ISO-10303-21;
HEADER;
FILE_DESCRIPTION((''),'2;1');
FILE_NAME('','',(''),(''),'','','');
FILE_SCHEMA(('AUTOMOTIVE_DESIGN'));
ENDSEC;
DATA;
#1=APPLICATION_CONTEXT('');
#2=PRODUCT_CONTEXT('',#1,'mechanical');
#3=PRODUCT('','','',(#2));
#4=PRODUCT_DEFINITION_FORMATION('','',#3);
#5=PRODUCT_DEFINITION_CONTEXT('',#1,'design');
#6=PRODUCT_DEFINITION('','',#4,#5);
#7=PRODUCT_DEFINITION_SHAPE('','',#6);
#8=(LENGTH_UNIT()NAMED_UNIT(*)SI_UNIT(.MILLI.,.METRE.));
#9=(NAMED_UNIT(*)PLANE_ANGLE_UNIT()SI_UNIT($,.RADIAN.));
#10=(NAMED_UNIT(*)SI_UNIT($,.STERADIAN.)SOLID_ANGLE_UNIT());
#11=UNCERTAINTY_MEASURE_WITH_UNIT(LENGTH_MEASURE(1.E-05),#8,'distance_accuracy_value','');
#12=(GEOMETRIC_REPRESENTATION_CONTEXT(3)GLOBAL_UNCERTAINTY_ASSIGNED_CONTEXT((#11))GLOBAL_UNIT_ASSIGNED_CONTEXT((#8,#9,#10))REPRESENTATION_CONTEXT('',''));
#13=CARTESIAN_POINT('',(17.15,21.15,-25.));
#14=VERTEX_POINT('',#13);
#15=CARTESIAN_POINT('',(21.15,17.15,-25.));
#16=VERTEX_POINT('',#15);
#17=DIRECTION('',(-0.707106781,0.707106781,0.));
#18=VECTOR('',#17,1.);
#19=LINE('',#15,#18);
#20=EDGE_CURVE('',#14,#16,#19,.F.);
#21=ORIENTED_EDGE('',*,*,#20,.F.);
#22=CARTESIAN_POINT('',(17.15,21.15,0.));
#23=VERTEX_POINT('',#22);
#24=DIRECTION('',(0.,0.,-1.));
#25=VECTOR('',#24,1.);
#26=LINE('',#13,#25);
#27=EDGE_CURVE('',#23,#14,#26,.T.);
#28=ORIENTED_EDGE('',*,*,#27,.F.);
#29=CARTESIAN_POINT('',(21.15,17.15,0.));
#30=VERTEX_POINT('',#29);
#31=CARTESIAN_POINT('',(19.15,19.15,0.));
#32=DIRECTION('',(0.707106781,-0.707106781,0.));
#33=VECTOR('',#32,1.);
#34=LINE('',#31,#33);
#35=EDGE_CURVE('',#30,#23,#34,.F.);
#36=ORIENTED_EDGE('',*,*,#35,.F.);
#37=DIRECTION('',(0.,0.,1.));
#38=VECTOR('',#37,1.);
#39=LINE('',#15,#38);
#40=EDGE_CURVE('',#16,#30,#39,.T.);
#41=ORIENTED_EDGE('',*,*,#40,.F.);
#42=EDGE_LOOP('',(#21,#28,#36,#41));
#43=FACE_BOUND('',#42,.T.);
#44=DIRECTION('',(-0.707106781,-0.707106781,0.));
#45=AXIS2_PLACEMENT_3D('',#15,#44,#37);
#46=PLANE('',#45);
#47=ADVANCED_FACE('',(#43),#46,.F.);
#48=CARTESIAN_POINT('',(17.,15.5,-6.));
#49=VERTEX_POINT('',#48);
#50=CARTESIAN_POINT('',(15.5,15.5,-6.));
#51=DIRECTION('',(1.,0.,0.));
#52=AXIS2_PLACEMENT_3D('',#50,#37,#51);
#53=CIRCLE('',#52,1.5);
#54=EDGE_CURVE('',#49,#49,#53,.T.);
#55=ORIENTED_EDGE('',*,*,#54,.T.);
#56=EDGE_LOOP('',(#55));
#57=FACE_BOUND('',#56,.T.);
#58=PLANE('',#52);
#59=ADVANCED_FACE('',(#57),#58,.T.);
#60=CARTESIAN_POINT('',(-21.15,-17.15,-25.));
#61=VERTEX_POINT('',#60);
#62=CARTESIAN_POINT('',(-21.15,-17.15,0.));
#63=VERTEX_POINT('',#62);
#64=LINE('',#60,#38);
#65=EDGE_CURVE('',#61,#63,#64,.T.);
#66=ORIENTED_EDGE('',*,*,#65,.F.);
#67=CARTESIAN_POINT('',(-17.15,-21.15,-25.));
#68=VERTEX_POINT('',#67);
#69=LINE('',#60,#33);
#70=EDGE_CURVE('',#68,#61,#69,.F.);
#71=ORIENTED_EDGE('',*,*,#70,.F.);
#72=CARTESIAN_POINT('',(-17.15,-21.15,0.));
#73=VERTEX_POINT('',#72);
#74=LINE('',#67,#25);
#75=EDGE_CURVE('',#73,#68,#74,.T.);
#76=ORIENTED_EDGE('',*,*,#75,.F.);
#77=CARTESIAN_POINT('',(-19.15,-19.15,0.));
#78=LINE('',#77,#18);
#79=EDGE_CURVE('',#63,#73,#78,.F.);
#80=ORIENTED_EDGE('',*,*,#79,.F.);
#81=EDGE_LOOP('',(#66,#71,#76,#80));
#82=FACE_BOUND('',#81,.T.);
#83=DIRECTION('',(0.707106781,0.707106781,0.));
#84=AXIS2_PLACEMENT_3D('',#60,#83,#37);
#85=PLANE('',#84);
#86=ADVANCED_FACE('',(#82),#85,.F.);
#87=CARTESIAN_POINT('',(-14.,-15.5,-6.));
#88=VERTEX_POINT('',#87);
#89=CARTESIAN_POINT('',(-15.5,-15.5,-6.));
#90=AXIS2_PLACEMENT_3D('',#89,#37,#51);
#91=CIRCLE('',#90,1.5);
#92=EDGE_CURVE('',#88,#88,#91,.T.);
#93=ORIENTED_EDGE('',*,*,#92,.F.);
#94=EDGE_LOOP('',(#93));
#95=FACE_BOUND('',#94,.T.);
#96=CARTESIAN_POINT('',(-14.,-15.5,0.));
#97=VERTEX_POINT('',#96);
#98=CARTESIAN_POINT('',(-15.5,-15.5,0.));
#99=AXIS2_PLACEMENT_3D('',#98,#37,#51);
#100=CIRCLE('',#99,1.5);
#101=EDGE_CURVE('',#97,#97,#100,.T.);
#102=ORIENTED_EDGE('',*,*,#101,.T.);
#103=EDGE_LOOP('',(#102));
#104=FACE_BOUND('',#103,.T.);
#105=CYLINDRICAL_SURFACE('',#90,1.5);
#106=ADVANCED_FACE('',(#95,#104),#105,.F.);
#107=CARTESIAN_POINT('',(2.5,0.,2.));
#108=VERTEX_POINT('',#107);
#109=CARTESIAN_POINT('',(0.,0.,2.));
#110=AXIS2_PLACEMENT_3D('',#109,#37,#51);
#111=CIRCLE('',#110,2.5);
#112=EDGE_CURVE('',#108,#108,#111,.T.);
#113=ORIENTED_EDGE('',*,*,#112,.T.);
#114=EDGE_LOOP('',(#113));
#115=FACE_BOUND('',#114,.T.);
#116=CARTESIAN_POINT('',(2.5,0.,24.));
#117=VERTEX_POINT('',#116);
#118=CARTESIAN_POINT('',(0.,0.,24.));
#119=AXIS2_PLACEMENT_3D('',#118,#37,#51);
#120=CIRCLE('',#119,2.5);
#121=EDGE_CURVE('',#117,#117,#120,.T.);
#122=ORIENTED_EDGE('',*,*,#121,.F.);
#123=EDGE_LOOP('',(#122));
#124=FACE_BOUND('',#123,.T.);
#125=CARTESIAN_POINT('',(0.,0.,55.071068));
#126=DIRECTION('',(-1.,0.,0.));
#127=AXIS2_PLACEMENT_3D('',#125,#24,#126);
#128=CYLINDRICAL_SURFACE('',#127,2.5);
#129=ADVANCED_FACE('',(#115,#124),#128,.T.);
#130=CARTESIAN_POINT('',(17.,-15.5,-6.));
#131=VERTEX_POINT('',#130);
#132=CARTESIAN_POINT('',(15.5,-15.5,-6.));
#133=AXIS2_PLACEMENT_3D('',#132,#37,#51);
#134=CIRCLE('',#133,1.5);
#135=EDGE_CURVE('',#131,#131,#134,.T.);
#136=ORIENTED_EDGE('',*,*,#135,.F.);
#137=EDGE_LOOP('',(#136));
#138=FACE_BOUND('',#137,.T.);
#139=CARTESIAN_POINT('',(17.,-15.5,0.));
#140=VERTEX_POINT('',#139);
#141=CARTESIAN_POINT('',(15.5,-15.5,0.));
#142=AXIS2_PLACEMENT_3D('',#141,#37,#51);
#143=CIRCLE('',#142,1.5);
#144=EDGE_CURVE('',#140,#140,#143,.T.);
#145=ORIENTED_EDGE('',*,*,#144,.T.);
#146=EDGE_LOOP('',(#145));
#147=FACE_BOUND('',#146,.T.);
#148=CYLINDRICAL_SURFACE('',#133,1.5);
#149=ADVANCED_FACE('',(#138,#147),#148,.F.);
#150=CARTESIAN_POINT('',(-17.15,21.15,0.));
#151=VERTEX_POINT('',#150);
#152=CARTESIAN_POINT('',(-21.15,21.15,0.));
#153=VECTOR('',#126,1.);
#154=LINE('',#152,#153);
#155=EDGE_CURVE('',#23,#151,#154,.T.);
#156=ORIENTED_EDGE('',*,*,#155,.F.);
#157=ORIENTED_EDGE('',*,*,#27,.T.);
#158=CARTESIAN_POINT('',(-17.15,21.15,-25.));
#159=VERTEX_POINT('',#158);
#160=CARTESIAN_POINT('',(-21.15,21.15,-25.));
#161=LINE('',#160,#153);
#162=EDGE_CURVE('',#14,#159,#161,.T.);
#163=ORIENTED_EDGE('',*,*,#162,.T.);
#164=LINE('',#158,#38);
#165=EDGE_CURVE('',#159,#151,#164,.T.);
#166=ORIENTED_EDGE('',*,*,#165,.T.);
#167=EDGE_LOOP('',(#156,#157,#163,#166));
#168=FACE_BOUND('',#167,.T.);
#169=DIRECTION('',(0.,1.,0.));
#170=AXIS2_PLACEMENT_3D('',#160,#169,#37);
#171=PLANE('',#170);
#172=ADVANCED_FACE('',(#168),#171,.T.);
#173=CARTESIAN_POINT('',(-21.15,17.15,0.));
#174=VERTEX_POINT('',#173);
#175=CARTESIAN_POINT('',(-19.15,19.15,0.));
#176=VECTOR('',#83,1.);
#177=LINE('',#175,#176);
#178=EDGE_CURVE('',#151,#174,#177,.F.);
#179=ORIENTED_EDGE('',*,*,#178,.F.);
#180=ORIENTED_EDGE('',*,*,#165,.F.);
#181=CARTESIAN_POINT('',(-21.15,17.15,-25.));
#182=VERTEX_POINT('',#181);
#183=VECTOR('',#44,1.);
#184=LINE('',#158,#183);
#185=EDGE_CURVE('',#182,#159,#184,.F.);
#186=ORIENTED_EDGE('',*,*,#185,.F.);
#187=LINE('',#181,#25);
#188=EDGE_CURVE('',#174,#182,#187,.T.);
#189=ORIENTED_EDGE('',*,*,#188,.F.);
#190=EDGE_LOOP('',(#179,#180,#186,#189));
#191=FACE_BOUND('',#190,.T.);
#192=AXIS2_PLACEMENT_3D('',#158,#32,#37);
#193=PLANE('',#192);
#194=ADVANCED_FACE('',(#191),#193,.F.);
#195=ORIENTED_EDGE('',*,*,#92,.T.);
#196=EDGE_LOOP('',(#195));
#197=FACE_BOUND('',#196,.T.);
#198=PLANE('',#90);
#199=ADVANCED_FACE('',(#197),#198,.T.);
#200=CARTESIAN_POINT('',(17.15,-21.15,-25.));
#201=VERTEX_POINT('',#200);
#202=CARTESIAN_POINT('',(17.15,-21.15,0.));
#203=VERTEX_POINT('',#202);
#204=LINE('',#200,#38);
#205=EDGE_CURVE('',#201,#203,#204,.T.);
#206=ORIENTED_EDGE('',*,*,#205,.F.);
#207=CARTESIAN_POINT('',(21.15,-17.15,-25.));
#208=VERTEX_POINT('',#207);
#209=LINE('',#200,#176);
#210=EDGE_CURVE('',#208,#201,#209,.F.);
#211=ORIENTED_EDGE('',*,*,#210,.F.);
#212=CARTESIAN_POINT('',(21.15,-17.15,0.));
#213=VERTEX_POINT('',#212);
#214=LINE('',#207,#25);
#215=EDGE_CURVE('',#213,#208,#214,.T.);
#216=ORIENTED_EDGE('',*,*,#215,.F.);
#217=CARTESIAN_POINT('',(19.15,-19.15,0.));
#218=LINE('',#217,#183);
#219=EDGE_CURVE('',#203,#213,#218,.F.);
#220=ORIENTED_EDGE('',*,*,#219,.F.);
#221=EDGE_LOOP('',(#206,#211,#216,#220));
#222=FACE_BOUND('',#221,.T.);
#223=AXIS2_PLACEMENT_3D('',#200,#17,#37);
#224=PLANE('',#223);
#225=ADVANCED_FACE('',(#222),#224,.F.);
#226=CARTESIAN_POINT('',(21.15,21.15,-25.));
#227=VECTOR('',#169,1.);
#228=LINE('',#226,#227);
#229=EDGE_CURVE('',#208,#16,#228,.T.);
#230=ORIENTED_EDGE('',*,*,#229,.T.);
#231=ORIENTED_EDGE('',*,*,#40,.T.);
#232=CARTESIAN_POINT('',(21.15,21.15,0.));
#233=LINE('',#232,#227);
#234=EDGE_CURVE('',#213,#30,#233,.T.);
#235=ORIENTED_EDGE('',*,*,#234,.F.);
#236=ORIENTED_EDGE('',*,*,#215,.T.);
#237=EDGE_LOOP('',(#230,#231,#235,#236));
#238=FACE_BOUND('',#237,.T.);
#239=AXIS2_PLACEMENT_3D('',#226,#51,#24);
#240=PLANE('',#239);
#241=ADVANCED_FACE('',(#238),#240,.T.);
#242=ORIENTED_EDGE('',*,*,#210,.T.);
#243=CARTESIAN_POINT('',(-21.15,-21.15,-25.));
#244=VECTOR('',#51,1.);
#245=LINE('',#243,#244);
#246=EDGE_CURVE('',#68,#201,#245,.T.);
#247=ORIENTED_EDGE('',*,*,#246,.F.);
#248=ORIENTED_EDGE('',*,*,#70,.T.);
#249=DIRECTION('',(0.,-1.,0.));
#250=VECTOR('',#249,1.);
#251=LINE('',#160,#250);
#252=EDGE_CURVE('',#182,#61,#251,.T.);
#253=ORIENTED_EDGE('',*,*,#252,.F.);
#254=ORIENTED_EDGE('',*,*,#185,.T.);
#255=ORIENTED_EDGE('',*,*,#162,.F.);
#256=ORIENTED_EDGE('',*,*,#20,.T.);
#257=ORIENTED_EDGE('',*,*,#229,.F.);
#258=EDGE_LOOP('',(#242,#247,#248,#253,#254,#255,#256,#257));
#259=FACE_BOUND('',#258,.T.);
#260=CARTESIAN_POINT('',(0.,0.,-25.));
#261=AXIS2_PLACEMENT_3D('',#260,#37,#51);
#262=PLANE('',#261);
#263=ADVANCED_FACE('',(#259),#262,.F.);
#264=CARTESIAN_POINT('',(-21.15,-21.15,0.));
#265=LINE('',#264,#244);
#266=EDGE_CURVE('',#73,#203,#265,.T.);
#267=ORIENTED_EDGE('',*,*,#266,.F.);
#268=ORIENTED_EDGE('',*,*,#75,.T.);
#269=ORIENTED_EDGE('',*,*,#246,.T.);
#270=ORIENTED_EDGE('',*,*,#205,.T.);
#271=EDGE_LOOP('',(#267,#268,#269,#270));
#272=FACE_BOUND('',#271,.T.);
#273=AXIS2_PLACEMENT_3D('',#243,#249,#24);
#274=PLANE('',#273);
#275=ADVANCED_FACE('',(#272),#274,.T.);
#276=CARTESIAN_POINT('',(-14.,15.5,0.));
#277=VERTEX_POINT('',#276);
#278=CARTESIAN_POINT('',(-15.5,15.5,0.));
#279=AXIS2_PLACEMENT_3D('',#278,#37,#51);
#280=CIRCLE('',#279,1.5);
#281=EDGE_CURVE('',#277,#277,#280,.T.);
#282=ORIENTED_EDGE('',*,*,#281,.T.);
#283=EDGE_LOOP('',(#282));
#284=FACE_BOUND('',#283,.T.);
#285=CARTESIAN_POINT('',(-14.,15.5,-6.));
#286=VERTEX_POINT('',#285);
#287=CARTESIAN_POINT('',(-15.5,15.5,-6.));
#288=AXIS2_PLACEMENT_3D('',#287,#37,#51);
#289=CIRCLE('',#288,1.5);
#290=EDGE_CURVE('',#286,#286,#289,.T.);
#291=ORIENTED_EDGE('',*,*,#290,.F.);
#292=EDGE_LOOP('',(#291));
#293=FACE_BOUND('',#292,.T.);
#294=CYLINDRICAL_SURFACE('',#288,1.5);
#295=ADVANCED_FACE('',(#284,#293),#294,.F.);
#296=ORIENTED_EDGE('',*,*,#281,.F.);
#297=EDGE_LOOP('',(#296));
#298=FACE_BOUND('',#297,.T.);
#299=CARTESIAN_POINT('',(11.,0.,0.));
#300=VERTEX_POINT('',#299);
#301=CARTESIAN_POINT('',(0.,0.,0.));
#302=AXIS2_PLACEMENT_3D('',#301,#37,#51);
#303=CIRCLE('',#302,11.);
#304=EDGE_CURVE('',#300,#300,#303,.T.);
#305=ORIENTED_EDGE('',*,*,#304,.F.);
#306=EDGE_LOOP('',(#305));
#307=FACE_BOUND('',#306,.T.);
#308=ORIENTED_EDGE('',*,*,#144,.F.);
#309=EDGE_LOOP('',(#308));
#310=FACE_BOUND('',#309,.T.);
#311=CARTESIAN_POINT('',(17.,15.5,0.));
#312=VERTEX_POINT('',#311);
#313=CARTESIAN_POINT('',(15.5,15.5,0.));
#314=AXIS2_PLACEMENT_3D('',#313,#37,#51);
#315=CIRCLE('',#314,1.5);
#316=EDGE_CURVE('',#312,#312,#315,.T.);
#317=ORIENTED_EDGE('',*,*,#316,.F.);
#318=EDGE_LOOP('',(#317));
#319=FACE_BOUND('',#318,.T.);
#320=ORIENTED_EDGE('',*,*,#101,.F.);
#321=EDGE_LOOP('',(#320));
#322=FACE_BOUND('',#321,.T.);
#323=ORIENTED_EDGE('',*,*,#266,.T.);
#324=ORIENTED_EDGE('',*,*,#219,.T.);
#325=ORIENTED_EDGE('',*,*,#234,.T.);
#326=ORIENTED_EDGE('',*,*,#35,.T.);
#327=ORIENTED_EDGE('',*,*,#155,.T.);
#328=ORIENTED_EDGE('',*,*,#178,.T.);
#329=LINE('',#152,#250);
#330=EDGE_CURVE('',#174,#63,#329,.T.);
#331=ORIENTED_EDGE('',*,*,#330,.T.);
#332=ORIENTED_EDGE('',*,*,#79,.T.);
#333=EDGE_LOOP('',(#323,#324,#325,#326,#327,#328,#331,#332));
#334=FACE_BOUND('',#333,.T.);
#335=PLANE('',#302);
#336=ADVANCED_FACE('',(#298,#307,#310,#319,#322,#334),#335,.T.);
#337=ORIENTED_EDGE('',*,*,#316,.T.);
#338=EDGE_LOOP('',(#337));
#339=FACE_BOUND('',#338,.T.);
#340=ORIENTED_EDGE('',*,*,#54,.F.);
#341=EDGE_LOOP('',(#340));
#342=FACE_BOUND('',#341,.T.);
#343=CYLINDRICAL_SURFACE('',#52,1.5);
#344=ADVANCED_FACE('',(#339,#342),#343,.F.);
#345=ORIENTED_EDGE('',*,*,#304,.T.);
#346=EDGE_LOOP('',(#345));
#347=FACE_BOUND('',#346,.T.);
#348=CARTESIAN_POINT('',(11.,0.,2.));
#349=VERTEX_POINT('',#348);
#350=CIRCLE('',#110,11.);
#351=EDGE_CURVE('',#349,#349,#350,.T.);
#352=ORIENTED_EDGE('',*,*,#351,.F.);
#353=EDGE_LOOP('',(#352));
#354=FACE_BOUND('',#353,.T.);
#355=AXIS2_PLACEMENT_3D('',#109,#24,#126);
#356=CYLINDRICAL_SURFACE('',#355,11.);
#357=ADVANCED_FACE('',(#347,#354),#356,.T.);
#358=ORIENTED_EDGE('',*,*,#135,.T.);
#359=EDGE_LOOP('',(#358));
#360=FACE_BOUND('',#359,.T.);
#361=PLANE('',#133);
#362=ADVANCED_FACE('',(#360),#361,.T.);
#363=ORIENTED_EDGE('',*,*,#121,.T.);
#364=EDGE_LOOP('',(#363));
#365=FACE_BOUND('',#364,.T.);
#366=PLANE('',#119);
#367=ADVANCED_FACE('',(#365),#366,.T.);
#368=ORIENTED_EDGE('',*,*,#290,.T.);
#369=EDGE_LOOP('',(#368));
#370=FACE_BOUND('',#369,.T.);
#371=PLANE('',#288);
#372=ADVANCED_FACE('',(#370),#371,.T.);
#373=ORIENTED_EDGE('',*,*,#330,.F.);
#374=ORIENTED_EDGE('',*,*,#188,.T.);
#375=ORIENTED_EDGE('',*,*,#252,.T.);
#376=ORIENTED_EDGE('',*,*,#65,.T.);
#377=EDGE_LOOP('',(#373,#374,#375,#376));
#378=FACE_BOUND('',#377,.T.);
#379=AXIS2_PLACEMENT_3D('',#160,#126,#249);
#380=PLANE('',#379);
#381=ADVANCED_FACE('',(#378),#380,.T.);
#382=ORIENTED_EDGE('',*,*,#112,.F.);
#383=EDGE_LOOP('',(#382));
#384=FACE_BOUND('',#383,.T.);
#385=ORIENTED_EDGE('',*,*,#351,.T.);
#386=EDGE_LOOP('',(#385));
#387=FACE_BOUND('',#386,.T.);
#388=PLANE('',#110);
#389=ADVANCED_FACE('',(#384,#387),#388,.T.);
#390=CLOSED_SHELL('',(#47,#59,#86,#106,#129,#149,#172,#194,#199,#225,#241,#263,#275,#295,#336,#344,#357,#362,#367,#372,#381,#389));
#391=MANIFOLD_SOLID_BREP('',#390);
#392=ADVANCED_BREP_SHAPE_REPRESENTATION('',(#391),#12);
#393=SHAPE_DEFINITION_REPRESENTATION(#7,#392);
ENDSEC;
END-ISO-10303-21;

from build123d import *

# Parameters (mm, degrees)
SKETCH1_W           = 42.3
SKETCH1_H           = 42.3
BOSS_EXTRUDE1_DEPTH = 25
SKETCH2_R           = 1.5
CUT_EXTRUDE1_DEPTH  = 6
SKETCH3_R           = 11
BOSS_EXTRUDE2_DEPTH = 2
SKETCH4_R           = 2.5
BOSS_EXTRUDE3_DEPTH = 22
CHAMFER1_SIZE       = 4


with BuildPart() as part:
    # Sketch1 → Boss-Extrude1 (new body)
    with BuildSketch(Plane.XY):
        Rectangle(SKETCH1_W, SKETCH1_H)
    extrude(amount=-BOSS_EXTRUDE1_DEPTH)

    # Sketch2 → Cut-Extrude1 (cut)
    with BuildSketch(Plane.XY):
        with Locations((-15.5, 15.5)):
            Circle(SKETCH2_R)
        with Locations((15.5, 15.5)):
            Circle(SKETCH2_R)
        with Locations((15.5, -15.5)):
            Circle(SKETCH2_R)
        with Locations((-15.5, -15.5)):
            Circle(SKETCH2_R)
    extrude(amount=-CUT_EXTRUDE1_DEPTH, mode=Mode.SUBTRACT)

    # Sketch3 → Boss-Extrude2 (add)
    with BuildSketch(Plane.XY):
        Circle(SKETCH3_R)
    extrude(amount=BOSS_EXTRUDE2_DEPTH)

    # Sketch4 → Boss-Extrude3 (add)
    with BuildSketch(Plane.XY.offset(2)):
        Circle(SKETCH4_R)
    extrude(amount=BOSS_EXTRUDE3_DEPTH)

    # Chamfer1
    chamfer1_edges = [part.edges().sort_by_distance(p)[0] for p in [
        (21.15, -21.15, -12.5),
        (-21.15, -21.15, -12.5),
        (-21.15, 21.15, -12.5),
        (21.15, 21.15, -12.5),
    ]]
    chamfer(chamfer1_edges, length=CHAMFER1_SIZE)


solid = part.part
